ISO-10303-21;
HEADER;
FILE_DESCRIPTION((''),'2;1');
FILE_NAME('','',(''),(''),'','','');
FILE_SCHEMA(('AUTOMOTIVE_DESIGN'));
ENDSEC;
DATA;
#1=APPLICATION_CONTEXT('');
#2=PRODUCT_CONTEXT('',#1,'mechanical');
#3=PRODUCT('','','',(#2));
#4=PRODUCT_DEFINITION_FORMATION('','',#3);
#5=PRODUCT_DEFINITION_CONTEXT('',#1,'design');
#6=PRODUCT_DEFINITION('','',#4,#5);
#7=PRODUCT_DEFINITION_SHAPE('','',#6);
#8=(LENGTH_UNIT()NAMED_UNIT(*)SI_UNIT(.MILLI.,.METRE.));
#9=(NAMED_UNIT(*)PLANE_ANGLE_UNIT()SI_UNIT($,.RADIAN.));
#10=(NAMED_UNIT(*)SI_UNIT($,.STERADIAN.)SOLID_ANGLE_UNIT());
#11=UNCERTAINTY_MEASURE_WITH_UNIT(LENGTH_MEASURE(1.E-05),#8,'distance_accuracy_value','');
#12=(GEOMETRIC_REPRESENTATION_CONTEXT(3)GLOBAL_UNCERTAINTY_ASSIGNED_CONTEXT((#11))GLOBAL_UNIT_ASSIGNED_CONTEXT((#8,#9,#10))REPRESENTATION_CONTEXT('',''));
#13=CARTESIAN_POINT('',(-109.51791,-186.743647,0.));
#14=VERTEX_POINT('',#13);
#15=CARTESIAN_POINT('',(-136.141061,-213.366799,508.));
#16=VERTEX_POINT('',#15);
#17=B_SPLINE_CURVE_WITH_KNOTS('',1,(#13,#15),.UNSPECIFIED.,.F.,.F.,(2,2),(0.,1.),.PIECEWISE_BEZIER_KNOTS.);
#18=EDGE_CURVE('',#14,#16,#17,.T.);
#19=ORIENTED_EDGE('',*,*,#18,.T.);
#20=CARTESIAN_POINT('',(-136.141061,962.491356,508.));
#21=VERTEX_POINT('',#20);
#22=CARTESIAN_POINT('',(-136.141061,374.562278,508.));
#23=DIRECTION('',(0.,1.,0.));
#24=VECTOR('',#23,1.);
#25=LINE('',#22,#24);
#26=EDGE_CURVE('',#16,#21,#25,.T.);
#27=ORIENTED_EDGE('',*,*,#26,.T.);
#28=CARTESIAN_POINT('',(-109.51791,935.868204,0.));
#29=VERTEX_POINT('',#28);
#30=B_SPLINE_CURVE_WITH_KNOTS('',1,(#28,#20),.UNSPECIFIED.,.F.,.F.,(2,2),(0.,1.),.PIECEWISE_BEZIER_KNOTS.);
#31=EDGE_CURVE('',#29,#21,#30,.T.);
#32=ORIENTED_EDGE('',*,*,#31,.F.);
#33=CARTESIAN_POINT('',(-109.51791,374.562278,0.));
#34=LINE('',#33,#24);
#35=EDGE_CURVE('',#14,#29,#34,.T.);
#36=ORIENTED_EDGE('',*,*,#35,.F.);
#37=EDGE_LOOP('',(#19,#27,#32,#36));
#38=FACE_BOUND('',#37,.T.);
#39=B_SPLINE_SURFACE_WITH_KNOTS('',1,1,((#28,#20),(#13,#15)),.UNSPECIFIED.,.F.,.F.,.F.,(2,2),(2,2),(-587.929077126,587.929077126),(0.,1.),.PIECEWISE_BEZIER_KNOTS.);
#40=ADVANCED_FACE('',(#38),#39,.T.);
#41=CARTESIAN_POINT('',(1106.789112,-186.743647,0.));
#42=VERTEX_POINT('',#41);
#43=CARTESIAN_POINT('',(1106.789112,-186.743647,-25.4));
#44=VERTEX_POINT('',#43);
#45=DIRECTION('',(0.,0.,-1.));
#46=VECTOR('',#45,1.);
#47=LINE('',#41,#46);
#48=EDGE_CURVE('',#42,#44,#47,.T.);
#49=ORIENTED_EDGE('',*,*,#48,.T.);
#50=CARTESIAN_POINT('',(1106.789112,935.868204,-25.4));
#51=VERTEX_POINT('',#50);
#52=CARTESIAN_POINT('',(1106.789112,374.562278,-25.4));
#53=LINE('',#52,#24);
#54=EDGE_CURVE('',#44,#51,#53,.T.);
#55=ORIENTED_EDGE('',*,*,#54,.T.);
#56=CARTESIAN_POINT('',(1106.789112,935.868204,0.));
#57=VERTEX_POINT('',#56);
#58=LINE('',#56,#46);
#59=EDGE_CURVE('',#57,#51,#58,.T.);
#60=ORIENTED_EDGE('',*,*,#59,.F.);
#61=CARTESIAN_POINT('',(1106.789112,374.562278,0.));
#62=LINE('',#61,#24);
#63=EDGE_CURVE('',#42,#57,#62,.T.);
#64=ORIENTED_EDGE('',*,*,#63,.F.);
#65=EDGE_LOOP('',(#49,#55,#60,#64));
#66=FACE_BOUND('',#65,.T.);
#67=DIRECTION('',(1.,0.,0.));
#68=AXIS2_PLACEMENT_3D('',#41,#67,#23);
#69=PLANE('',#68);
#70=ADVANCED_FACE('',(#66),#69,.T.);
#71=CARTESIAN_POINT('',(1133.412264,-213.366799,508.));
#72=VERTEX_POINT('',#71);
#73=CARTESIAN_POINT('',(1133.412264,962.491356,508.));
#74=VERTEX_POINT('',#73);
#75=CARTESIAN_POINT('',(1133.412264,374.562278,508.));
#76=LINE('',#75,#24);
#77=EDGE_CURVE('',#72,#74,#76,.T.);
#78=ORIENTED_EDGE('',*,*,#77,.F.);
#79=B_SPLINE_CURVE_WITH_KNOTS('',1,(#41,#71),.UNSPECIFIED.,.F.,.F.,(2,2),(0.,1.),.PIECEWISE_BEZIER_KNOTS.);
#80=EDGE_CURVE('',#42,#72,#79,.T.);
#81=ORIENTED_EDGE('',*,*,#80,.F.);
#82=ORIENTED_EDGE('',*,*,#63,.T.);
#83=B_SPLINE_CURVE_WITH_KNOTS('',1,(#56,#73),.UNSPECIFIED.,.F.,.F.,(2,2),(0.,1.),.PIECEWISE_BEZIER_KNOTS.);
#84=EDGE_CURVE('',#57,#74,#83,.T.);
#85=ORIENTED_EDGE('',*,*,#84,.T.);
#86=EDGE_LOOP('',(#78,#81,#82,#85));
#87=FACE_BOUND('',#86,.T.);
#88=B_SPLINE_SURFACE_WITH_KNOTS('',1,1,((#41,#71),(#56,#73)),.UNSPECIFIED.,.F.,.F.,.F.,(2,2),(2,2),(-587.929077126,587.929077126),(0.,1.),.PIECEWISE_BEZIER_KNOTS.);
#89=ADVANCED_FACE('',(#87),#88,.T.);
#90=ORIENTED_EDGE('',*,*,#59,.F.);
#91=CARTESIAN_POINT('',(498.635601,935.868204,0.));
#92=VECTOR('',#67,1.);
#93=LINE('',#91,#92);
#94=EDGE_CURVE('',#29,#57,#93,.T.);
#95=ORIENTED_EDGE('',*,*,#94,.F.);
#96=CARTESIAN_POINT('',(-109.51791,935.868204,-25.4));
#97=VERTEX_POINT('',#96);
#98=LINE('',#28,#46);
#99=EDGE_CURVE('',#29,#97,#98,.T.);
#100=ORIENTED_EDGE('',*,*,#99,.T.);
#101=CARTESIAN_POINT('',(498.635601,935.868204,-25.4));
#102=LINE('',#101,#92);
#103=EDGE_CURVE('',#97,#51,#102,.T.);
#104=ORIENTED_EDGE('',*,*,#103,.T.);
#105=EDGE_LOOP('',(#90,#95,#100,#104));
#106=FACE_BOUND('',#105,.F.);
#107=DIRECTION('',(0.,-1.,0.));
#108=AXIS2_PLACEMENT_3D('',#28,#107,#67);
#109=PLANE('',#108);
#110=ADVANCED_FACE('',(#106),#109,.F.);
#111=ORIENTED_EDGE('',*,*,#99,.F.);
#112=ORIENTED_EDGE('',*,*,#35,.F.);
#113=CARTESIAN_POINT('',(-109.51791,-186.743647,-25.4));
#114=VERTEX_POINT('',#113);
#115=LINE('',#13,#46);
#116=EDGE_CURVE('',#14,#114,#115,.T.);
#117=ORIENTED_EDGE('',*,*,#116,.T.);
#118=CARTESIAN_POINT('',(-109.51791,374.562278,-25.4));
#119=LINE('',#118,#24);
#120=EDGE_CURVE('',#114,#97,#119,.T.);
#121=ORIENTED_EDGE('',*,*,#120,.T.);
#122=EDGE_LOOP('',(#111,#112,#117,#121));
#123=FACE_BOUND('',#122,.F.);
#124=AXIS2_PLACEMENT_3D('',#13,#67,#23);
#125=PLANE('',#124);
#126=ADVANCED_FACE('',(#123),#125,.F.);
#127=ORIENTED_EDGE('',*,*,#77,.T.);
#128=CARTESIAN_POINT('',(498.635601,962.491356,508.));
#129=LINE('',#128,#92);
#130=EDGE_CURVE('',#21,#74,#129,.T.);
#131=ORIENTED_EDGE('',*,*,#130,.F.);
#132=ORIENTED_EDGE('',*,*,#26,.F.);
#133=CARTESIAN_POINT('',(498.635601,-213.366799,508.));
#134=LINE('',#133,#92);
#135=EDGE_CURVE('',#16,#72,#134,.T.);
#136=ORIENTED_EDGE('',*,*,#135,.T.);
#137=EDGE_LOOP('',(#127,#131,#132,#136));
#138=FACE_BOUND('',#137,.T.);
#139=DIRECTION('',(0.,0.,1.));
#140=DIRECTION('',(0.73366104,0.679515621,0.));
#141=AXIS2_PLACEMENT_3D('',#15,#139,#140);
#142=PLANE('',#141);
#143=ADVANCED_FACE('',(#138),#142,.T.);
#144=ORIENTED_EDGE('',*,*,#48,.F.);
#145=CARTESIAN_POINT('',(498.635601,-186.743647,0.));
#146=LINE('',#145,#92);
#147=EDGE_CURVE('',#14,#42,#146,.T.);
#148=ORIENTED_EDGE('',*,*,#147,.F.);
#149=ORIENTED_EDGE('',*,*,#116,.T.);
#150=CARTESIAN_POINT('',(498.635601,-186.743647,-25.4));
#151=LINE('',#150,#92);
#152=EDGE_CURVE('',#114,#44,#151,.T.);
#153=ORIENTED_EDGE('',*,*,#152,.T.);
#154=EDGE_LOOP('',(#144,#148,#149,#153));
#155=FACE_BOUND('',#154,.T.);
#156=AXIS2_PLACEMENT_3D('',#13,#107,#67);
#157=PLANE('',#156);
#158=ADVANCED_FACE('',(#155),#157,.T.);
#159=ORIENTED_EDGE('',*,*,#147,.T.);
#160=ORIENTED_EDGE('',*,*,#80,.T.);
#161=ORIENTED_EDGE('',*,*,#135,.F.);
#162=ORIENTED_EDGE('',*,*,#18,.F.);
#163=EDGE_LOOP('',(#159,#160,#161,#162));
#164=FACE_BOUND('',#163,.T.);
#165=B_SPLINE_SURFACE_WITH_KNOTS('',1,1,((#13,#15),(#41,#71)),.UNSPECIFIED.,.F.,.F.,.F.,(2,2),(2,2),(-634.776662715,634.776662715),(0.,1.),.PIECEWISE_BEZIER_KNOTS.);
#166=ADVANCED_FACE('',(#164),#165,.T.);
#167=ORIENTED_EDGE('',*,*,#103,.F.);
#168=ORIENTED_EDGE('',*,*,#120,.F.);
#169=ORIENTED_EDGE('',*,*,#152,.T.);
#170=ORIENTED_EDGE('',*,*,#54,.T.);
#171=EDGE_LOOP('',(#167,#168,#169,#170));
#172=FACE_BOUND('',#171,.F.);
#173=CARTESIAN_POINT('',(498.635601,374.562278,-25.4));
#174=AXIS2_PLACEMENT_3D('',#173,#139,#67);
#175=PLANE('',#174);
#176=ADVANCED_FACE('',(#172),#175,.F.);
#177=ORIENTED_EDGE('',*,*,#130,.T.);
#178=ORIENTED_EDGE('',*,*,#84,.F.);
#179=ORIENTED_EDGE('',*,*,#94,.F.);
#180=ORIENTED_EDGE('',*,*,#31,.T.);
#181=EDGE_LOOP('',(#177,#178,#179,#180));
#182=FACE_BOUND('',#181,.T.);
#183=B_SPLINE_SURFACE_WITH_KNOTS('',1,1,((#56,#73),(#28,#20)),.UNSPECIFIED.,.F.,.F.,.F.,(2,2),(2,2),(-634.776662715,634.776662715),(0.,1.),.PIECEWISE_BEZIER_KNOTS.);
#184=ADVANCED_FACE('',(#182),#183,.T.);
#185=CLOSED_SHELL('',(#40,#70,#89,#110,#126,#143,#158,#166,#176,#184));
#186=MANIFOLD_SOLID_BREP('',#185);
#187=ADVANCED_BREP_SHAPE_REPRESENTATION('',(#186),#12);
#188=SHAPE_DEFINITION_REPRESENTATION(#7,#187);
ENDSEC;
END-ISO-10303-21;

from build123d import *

# Parameters (mm, degrees)
F0_W          = 1216.3070216775
F0_H          = 1122.6118505001
F1_DEPTH      = 508
F1_TAPER      = -3
F1_DEPTH_BACK = 25.4


with BuildPart() as f1:
    # F0 (on Top) → F1 (new body, two sides)
    with BuildSketch(Plane.XY) as f1_sk:
        with Locations((498.6356012523, 374.5622783899)):
            Rectangle(F0_W, F0_H)
    extrude(amount=F1_DEPTH, taper=F1_TAPER)
    extrude(f1_sk.sketch, amount=-F1_DEPTH_BACK)


solid = f1.part
